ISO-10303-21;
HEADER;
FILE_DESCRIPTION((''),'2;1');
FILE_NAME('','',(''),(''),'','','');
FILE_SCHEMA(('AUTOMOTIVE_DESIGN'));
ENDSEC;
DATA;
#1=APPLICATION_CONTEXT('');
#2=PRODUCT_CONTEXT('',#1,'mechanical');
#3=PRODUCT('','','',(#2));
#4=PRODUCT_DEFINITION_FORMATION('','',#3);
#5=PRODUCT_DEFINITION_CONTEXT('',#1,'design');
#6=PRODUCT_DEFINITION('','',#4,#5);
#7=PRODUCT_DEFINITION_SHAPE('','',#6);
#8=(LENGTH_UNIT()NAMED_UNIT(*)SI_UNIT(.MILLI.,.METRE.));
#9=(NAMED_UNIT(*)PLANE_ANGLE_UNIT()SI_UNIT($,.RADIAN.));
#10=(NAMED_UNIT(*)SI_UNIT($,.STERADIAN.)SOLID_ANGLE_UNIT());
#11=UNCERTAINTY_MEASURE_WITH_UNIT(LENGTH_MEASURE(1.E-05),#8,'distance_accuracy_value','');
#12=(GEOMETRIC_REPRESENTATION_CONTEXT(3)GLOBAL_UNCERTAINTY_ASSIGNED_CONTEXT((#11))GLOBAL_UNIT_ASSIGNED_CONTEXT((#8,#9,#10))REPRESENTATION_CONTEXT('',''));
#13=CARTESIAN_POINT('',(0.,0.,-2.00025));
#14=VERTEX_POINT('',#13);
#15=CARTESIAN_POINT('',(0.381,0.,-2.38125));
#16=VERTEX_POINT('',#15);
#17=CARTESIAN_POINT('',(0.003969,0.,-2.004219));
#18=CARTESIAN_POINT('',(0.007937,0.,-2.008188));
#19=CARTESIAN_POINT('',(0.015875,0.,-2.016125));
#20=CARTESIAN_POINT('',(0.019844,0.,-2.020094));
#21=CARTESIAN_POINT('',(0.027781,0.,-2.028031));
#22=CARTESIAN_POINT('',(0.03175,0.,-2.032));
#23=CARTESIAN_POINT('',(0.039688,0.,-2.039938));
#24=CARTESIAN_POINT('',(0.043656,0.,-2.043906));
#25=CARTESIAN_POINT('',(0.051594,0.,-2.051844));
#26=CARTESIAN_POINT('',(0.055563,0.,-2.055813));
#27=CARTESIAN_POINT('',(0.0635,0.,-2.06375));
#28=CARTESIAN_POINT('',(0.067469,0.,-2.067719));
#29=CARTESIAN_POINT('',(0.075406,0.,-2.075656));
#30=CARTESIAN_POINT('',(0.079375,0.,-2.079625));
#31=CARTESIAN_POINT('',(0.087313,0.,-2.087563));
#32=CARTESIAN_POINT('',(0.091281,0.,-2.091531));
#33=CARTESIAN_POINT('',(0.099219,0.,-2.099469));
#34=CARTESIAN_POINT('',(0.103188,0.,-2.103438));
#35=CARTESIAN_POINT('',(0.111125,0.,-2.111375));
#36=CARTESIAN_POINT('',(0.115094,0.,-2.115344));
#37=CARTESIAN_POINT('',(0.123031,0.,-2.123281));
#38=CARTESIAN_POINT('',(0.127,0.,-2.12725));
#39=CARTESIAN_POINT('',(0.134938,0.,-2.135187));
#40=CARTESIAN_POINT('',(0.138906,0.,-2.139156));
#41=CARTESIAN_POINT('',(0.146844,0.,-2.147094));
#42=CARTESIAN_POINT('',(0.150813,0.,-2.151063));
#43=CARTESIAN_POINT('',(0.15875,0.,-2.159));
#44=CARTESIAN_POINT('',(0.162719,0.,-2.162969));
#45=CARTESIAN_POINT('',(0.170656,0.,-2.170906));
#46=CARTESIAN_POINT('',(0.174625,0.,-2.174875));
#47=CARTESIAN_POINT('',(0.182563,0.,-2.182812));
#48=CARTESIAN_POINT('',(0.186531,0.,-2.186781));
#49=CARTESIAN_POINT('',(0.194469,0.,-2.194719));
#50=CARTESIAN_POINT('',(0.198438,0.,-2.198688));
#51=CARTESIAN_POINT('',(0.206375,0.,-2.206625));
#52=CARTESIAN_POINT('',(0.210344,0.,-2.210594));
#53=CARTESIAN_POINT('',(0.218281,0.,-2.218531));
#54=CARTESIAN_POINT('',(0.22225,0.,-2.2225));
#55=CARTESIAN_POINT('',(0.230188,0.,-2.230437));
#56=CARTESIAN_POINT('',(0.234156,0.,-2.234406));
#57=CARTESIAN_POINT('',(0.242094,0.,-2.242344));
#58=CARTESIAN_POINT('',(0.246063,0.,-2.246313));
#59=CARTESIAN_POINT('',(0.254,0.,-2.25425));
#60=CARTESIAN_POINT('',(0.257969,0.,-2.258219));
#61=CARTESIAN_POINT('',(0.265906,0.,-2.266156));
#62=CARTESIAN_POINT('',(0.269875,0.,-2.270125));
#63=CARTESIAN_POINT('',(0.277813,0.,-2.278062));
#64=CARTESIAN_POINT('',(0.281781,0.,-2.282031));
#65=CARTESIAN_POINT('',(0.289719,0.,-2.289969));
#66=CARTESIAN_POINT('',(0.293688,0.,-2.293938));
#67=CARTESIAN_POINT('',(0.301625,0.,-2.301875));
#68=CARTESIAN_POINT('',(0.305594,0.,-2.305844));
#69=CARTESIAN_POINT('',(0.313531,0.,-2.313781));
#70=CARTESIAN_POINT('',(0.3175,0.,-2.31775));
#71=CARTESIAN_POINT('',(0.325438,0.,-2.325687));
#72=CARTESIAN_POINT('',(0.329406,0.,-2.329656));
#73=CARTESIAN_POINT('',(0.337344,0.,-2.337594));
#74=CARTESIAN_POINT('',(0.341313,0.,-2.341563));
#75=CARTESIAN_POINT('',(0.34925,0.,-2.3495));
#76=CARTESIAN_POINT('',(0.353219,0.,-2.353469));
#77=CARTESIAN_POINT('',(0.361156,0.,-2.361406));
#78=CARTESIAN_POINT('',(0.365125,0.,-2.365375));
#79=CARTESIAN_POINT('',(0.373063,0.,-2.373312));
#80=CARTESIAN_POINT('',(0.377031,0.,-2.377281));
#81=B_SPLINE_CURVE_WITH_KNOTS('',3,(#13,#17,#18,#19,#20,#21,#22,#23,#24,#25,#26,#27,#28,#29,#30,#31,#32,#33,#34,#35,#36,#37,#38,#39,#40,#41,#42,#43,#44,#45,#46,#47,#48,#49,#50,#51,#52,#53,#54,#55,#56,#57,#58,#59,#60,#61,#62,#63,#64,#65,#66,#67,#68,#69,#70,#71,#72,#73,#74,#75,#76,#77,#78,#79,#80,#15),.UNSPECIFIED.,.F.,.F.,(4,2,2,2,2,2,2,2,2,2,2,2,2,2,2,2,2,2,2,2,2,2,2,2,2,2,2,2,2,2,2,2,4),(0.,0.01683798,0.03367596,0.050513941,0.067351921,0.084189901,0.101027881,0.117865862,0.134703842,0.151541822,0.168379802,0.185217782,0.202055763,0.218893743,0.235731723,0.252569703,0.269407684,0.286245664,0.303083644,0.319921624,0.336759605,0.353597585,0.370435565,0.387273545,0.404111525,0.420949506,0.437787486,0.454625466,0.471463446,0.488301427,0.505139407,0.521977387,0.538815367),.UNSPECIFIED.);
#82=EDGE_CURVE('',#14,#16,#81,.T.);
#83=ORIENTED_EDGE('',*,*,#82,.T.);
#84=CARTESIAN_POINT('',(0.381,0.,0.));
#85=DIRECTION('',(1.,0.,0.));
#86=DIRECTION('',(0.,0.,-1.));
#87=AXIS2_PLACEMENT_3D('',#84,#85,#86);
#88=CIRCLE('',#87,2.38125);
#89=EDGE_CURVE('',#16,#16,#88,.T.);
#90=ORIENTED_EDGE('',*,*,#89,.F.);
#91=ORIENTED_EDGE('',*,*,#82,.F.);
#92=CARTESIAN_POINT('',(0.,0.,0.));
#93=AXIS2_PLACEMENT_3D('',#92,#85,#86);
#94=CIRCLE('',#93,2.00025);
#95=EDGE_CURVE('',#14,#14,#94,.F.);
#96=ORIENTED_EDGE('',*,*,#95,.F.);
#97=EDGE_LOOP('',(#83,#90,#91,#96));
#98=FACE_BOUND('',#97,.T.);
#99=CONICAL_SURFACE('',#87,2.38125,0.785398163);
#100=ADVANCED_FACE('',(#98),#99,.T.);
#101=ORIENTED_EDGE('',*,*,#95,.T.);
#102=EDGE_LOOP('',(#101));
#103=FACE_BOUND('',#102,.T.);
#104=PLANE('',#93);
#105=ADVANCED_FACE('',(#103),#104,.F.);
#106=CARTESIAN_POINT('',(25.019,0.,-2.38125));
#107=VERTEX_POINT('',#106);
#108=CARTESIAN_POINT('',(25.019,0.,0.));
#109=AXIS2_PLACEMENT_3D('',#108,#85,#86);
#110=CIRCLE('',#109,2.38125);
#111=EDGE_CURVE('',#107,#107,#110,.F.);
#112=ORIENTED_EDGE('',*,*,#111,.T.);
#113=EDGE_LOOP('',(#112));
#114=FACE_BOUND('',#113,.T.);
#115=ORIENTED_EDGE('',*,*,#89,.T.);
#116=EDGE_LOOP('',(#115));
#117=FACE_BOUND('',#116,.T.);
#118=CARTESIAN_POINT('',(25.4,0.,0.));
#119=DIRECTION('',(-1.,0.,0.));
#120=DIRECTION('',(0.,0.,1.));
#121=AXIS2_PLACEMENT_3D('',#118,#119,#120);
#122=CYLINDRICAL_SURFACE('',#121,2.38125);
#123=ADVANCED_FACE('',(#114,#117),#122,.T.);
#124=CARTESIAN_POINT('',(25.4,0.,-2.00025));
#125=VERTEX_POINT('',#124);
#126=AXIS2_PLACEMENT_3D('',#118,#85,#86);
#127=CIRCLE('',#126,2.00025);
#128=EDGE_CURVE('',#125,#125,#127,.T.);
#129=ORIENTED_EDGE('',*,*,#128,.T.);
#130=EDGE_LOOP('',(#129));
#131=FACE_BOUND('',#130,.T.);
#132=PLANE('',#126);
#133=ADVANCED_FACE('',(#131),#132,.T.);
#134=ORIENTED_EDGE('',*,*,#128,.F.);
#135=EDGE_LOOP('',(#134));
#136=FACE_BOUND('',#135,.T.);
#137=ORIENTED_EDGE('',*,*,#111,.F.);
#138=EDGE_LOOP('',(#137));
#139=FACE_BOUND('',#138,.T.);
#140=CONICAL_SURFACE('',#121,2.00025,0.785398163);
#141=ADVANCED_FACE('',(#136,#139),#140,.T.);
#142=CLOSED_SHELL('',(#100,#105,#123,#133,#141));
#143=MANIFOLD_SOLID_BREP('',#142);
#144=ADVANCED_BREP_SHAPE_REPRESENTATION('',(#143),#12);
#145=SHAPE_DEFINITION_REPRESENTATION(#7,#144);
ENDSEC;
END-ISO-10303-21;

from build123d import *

# Parameters (mm, degrees)
SKETCH1_R      = 2.38125
EXTRUDE1_DEPTH = 25.4
CHAMFER1_SIZE  = 0.381


with BuildPart() as part:
    # Sketch1 → Extrude1 (new body)
    with BuildSketch(Plane(origin=(0, 0, 0), x_dir=(0, 0, -1), z_dir=(1, 0, 0))):
        Circle(SKETCH1_R)
    extrude(amount=EXTRUDE1_DEPTH)

    # Chamfer1
    chamfer1_edges = [part.edges().sort_by_distance(p)[0] for p in [
        (0, 0, 2.38125),
        (25.4, 0, 2.38125),
    ]]
    chamfer(chamfer1_edges, length=CHAMFER1_SIZE)


solid = part.part
